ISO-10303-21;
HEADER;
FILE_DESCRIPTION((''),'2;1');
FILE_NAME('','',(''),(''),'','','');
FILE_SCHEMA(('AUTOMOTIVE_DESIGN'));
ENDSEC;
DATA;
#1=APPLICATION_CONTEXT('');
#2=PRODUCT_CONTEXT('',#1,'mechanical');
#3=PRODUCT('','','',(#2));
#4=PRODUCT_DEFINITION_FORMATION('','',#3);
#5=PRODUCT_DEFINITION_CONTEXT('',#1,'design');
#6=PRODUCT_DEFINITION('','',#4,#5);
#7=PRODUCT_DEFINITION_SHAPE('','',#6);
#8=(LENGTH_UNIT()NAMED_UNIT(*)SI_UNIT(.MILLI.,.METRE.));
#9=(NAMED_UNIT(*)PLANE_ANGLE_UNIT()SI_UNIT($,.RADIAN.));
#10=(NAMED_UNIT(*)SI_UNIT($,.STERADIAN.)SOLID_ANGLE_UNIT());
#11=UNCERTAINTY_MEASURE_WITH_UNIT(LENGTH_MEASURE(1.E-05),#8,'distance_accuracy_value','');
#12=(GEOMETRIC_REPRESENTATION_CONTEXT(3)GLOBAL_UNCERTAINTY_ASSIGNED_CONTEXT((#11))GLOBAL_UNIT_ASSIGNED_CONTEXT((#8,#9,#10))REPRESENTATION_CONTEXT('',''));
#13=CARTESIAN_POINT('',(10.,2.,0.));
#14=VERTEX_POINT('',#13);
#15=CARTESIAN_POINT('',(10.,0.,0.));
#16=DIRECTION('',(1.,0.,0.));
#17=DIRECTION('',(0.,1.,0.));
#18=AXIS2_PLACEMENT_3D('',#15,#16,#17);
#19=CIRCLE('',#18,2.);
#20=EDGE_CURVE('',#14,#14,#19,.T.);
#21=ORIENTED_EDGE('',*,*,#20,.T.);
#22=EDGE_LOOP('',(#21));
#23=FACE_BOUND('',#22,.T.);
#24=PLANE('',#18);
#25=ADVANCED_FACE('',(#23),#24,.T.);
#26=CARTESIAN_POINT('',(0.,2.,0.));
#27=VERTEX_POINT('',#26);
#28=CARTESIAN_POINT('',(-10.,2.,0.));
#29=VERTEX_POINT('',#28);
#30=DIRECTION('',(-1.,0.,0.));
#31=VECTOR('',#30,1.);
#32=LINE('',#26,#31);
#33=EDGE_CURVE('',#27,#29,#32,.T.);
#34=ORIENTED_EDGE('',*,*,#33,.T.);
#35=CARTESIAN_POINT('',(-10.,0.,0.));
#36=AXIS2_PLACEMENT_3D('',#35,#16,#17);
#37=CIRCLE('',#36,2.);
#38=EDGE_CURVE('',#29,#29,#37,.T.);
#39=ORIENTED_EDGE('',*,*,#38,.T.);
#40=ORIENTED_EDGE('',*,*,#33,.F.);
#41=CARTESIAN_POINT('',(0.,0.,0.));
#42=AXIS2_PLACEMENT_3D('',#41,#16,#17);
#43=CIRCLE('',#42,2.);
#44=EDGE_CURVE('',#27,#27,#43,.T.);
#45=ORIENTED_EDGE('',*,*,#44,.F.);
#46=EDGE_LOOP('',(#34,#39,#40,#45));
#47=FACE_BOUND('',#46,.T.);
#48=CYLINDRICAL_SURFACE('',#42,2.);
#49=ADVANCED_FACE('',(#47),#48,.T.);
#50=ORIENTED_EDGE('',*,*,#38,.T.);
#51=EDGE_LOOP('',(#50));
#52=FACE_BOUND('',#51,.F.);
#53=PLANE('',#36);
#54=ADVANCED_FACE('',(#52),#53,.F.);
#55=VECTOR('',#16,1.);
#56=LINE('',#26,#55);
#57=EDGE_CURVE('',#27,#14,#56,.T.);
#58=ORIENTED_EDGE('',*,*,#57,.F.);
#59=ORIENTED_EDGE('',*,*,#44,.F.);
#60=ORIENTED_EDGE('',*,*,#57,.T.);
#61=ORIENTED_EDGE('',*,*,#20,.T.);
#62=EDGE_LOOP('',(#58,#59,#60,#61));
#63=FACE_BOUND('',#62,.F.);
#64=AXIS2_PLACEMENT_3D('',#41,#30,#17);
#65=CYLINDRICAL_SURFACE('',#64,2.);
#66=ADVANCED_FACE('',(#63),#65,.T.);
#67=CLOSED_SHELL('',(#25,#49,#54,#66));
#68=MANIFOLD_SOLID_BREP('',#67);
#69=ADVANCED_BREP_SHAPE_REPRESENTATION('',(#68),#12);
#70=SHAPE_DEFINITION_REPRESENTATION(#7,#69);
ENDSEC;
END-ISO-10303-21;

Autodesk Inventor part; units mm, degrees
ref_plane "YZ Plane" through (0, 0, 0) normal (1, 0, 0) x (0, 1, 0)
ref_plane "XZ Plane" through (0, 0, 0) normal (0, 1, 0) x (-1, 0, 0)
ref_plane "XY Plane" through (0, 0, 0) normal (0, 0, 1) x (1, 0, 0)
sketch "스케치1" plane through (0, 0, 0) normal (1, 0, 0) x (0, 1, 0)
  circle A0 centre (0, 0) radius 2
  dimension "d0" = 4
extrude "돌출1" add sketch "스케치1" along normal mid plane 20
properties part number "joint4_base_carbon" material "CFRP"
